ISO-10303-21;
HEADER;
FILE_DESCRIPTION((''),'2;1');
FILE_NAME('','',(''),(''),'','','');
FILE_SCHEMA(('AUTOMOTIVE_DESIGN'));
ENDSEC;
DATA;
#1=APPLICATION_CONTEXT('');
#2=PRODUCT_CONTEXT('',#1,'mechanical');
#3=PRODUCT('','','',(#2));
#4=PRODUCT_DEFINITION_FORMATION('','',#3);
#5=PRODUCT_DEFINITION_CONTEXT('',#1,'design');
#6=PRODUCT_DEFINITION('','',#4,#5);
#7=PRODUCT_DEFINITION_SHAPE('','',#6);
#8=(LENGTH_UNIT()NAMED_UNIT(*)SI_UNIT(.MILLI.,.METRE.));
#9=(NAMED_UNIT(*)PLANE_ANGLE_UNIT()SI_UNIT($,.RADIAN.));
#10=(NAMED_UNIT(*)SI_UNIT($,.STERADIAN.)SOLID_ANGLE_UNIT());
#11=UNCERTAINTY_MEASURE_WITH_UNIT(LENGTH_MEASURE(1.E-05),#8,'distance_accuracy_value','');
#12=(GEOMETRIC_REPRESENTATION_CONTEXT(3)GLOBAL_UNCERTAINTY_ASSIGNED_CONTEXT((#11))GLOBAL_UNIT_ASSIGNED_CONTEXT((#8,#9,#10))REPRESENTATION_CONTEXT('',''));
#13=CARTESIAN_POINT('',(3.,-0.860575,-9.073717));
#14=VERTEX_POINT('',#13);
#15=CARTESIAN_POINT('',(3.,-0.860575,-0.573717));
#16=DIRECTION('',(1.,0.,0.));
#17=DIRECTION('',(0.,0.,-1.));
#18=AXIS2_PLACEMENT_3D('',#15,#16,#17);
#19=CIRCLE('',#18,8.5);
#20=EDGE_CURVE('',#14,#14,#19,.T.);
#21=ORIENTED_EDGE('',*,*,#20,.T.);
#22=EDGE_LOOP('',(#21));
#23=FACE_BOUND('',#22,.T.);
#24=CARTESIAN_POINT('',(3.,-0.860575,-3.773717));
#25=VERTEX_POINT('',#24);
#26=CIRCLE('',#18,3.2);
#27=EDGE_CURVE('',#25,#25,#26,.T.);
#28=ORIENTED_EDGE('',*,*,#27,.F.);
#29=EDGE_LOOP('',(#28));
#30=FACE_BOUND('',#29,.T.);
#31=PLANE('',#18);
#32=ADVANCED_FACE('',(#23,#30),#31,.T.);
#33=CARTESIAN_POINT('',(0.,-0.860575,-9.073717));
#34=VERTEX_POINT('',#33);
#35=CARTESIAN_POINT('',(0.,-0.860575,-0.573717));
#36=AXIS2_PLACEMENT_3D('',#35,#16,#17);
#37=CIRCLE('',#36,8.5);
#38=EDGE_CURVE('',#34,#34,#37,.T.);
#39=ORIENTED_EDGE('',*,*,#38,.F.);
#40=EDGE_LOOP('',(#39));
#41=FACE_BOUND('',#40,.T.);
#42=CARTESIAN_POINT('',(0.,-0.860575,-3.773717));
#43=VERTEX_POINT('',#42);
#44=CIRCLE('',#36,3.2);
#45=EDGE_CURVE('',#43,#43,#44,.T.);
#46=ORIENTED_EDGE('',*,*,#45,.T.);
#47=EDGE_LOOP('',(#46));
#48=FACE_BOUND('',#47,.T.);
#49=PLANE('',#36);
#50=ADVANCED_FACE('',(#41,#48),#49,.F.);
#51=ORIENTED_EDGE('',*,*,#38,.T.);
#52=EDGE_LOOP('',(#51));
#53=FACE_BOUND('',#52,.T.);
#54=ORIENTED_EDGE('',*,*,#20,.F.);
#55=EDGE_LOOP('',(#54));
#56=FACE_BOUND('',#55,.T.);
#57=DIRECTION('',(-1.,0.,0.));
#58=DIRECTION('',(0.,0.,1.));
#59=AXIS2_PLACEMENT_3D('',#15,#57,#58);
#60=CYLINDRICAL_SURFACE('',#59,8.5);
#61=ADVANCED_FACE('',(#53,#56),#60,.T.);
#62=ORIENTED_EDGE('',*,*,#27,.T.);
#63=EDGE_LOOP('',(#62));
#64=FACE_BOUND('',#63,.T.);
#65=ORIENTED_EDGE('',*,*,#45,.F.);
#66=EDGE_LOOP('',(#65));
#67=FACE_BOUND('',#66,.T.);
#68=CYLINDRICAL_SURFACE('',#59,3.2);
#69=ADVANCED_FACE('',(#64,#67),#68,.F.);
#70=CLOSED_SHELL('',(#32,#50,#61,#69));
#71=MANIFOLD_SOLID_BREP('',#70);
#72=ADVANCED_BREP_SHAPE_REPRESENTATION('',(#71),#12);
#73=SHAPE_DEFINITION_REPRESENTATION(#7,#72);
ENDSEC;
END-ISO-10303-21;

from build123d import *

# Parameters (mm, degrees)
SKETCH1_R          = 8.5
SKETCH1_R_2        = 3.2
BASE_EXTRUDE_DEPTH = 3


with BuildPart() as part:
    # Sketch1 → Base-Extrude (new body)
    with BuildSketch(Plane(origin=(0, 0, 0), x_dir=(0, 0, -1), z_dir=(1, 0, 0))):
        with Locations((0.573716632, -0.860574949)):
            Circle(SKETCH1_R)
        with Locations((0.573716632, -0.860574949)):
            Circle(SKETCH1_R_2, mode=Mode.SUBTRACT)
    extrude(amount=BASE_EXTRUDE_DEPTH)


solid = part.part
